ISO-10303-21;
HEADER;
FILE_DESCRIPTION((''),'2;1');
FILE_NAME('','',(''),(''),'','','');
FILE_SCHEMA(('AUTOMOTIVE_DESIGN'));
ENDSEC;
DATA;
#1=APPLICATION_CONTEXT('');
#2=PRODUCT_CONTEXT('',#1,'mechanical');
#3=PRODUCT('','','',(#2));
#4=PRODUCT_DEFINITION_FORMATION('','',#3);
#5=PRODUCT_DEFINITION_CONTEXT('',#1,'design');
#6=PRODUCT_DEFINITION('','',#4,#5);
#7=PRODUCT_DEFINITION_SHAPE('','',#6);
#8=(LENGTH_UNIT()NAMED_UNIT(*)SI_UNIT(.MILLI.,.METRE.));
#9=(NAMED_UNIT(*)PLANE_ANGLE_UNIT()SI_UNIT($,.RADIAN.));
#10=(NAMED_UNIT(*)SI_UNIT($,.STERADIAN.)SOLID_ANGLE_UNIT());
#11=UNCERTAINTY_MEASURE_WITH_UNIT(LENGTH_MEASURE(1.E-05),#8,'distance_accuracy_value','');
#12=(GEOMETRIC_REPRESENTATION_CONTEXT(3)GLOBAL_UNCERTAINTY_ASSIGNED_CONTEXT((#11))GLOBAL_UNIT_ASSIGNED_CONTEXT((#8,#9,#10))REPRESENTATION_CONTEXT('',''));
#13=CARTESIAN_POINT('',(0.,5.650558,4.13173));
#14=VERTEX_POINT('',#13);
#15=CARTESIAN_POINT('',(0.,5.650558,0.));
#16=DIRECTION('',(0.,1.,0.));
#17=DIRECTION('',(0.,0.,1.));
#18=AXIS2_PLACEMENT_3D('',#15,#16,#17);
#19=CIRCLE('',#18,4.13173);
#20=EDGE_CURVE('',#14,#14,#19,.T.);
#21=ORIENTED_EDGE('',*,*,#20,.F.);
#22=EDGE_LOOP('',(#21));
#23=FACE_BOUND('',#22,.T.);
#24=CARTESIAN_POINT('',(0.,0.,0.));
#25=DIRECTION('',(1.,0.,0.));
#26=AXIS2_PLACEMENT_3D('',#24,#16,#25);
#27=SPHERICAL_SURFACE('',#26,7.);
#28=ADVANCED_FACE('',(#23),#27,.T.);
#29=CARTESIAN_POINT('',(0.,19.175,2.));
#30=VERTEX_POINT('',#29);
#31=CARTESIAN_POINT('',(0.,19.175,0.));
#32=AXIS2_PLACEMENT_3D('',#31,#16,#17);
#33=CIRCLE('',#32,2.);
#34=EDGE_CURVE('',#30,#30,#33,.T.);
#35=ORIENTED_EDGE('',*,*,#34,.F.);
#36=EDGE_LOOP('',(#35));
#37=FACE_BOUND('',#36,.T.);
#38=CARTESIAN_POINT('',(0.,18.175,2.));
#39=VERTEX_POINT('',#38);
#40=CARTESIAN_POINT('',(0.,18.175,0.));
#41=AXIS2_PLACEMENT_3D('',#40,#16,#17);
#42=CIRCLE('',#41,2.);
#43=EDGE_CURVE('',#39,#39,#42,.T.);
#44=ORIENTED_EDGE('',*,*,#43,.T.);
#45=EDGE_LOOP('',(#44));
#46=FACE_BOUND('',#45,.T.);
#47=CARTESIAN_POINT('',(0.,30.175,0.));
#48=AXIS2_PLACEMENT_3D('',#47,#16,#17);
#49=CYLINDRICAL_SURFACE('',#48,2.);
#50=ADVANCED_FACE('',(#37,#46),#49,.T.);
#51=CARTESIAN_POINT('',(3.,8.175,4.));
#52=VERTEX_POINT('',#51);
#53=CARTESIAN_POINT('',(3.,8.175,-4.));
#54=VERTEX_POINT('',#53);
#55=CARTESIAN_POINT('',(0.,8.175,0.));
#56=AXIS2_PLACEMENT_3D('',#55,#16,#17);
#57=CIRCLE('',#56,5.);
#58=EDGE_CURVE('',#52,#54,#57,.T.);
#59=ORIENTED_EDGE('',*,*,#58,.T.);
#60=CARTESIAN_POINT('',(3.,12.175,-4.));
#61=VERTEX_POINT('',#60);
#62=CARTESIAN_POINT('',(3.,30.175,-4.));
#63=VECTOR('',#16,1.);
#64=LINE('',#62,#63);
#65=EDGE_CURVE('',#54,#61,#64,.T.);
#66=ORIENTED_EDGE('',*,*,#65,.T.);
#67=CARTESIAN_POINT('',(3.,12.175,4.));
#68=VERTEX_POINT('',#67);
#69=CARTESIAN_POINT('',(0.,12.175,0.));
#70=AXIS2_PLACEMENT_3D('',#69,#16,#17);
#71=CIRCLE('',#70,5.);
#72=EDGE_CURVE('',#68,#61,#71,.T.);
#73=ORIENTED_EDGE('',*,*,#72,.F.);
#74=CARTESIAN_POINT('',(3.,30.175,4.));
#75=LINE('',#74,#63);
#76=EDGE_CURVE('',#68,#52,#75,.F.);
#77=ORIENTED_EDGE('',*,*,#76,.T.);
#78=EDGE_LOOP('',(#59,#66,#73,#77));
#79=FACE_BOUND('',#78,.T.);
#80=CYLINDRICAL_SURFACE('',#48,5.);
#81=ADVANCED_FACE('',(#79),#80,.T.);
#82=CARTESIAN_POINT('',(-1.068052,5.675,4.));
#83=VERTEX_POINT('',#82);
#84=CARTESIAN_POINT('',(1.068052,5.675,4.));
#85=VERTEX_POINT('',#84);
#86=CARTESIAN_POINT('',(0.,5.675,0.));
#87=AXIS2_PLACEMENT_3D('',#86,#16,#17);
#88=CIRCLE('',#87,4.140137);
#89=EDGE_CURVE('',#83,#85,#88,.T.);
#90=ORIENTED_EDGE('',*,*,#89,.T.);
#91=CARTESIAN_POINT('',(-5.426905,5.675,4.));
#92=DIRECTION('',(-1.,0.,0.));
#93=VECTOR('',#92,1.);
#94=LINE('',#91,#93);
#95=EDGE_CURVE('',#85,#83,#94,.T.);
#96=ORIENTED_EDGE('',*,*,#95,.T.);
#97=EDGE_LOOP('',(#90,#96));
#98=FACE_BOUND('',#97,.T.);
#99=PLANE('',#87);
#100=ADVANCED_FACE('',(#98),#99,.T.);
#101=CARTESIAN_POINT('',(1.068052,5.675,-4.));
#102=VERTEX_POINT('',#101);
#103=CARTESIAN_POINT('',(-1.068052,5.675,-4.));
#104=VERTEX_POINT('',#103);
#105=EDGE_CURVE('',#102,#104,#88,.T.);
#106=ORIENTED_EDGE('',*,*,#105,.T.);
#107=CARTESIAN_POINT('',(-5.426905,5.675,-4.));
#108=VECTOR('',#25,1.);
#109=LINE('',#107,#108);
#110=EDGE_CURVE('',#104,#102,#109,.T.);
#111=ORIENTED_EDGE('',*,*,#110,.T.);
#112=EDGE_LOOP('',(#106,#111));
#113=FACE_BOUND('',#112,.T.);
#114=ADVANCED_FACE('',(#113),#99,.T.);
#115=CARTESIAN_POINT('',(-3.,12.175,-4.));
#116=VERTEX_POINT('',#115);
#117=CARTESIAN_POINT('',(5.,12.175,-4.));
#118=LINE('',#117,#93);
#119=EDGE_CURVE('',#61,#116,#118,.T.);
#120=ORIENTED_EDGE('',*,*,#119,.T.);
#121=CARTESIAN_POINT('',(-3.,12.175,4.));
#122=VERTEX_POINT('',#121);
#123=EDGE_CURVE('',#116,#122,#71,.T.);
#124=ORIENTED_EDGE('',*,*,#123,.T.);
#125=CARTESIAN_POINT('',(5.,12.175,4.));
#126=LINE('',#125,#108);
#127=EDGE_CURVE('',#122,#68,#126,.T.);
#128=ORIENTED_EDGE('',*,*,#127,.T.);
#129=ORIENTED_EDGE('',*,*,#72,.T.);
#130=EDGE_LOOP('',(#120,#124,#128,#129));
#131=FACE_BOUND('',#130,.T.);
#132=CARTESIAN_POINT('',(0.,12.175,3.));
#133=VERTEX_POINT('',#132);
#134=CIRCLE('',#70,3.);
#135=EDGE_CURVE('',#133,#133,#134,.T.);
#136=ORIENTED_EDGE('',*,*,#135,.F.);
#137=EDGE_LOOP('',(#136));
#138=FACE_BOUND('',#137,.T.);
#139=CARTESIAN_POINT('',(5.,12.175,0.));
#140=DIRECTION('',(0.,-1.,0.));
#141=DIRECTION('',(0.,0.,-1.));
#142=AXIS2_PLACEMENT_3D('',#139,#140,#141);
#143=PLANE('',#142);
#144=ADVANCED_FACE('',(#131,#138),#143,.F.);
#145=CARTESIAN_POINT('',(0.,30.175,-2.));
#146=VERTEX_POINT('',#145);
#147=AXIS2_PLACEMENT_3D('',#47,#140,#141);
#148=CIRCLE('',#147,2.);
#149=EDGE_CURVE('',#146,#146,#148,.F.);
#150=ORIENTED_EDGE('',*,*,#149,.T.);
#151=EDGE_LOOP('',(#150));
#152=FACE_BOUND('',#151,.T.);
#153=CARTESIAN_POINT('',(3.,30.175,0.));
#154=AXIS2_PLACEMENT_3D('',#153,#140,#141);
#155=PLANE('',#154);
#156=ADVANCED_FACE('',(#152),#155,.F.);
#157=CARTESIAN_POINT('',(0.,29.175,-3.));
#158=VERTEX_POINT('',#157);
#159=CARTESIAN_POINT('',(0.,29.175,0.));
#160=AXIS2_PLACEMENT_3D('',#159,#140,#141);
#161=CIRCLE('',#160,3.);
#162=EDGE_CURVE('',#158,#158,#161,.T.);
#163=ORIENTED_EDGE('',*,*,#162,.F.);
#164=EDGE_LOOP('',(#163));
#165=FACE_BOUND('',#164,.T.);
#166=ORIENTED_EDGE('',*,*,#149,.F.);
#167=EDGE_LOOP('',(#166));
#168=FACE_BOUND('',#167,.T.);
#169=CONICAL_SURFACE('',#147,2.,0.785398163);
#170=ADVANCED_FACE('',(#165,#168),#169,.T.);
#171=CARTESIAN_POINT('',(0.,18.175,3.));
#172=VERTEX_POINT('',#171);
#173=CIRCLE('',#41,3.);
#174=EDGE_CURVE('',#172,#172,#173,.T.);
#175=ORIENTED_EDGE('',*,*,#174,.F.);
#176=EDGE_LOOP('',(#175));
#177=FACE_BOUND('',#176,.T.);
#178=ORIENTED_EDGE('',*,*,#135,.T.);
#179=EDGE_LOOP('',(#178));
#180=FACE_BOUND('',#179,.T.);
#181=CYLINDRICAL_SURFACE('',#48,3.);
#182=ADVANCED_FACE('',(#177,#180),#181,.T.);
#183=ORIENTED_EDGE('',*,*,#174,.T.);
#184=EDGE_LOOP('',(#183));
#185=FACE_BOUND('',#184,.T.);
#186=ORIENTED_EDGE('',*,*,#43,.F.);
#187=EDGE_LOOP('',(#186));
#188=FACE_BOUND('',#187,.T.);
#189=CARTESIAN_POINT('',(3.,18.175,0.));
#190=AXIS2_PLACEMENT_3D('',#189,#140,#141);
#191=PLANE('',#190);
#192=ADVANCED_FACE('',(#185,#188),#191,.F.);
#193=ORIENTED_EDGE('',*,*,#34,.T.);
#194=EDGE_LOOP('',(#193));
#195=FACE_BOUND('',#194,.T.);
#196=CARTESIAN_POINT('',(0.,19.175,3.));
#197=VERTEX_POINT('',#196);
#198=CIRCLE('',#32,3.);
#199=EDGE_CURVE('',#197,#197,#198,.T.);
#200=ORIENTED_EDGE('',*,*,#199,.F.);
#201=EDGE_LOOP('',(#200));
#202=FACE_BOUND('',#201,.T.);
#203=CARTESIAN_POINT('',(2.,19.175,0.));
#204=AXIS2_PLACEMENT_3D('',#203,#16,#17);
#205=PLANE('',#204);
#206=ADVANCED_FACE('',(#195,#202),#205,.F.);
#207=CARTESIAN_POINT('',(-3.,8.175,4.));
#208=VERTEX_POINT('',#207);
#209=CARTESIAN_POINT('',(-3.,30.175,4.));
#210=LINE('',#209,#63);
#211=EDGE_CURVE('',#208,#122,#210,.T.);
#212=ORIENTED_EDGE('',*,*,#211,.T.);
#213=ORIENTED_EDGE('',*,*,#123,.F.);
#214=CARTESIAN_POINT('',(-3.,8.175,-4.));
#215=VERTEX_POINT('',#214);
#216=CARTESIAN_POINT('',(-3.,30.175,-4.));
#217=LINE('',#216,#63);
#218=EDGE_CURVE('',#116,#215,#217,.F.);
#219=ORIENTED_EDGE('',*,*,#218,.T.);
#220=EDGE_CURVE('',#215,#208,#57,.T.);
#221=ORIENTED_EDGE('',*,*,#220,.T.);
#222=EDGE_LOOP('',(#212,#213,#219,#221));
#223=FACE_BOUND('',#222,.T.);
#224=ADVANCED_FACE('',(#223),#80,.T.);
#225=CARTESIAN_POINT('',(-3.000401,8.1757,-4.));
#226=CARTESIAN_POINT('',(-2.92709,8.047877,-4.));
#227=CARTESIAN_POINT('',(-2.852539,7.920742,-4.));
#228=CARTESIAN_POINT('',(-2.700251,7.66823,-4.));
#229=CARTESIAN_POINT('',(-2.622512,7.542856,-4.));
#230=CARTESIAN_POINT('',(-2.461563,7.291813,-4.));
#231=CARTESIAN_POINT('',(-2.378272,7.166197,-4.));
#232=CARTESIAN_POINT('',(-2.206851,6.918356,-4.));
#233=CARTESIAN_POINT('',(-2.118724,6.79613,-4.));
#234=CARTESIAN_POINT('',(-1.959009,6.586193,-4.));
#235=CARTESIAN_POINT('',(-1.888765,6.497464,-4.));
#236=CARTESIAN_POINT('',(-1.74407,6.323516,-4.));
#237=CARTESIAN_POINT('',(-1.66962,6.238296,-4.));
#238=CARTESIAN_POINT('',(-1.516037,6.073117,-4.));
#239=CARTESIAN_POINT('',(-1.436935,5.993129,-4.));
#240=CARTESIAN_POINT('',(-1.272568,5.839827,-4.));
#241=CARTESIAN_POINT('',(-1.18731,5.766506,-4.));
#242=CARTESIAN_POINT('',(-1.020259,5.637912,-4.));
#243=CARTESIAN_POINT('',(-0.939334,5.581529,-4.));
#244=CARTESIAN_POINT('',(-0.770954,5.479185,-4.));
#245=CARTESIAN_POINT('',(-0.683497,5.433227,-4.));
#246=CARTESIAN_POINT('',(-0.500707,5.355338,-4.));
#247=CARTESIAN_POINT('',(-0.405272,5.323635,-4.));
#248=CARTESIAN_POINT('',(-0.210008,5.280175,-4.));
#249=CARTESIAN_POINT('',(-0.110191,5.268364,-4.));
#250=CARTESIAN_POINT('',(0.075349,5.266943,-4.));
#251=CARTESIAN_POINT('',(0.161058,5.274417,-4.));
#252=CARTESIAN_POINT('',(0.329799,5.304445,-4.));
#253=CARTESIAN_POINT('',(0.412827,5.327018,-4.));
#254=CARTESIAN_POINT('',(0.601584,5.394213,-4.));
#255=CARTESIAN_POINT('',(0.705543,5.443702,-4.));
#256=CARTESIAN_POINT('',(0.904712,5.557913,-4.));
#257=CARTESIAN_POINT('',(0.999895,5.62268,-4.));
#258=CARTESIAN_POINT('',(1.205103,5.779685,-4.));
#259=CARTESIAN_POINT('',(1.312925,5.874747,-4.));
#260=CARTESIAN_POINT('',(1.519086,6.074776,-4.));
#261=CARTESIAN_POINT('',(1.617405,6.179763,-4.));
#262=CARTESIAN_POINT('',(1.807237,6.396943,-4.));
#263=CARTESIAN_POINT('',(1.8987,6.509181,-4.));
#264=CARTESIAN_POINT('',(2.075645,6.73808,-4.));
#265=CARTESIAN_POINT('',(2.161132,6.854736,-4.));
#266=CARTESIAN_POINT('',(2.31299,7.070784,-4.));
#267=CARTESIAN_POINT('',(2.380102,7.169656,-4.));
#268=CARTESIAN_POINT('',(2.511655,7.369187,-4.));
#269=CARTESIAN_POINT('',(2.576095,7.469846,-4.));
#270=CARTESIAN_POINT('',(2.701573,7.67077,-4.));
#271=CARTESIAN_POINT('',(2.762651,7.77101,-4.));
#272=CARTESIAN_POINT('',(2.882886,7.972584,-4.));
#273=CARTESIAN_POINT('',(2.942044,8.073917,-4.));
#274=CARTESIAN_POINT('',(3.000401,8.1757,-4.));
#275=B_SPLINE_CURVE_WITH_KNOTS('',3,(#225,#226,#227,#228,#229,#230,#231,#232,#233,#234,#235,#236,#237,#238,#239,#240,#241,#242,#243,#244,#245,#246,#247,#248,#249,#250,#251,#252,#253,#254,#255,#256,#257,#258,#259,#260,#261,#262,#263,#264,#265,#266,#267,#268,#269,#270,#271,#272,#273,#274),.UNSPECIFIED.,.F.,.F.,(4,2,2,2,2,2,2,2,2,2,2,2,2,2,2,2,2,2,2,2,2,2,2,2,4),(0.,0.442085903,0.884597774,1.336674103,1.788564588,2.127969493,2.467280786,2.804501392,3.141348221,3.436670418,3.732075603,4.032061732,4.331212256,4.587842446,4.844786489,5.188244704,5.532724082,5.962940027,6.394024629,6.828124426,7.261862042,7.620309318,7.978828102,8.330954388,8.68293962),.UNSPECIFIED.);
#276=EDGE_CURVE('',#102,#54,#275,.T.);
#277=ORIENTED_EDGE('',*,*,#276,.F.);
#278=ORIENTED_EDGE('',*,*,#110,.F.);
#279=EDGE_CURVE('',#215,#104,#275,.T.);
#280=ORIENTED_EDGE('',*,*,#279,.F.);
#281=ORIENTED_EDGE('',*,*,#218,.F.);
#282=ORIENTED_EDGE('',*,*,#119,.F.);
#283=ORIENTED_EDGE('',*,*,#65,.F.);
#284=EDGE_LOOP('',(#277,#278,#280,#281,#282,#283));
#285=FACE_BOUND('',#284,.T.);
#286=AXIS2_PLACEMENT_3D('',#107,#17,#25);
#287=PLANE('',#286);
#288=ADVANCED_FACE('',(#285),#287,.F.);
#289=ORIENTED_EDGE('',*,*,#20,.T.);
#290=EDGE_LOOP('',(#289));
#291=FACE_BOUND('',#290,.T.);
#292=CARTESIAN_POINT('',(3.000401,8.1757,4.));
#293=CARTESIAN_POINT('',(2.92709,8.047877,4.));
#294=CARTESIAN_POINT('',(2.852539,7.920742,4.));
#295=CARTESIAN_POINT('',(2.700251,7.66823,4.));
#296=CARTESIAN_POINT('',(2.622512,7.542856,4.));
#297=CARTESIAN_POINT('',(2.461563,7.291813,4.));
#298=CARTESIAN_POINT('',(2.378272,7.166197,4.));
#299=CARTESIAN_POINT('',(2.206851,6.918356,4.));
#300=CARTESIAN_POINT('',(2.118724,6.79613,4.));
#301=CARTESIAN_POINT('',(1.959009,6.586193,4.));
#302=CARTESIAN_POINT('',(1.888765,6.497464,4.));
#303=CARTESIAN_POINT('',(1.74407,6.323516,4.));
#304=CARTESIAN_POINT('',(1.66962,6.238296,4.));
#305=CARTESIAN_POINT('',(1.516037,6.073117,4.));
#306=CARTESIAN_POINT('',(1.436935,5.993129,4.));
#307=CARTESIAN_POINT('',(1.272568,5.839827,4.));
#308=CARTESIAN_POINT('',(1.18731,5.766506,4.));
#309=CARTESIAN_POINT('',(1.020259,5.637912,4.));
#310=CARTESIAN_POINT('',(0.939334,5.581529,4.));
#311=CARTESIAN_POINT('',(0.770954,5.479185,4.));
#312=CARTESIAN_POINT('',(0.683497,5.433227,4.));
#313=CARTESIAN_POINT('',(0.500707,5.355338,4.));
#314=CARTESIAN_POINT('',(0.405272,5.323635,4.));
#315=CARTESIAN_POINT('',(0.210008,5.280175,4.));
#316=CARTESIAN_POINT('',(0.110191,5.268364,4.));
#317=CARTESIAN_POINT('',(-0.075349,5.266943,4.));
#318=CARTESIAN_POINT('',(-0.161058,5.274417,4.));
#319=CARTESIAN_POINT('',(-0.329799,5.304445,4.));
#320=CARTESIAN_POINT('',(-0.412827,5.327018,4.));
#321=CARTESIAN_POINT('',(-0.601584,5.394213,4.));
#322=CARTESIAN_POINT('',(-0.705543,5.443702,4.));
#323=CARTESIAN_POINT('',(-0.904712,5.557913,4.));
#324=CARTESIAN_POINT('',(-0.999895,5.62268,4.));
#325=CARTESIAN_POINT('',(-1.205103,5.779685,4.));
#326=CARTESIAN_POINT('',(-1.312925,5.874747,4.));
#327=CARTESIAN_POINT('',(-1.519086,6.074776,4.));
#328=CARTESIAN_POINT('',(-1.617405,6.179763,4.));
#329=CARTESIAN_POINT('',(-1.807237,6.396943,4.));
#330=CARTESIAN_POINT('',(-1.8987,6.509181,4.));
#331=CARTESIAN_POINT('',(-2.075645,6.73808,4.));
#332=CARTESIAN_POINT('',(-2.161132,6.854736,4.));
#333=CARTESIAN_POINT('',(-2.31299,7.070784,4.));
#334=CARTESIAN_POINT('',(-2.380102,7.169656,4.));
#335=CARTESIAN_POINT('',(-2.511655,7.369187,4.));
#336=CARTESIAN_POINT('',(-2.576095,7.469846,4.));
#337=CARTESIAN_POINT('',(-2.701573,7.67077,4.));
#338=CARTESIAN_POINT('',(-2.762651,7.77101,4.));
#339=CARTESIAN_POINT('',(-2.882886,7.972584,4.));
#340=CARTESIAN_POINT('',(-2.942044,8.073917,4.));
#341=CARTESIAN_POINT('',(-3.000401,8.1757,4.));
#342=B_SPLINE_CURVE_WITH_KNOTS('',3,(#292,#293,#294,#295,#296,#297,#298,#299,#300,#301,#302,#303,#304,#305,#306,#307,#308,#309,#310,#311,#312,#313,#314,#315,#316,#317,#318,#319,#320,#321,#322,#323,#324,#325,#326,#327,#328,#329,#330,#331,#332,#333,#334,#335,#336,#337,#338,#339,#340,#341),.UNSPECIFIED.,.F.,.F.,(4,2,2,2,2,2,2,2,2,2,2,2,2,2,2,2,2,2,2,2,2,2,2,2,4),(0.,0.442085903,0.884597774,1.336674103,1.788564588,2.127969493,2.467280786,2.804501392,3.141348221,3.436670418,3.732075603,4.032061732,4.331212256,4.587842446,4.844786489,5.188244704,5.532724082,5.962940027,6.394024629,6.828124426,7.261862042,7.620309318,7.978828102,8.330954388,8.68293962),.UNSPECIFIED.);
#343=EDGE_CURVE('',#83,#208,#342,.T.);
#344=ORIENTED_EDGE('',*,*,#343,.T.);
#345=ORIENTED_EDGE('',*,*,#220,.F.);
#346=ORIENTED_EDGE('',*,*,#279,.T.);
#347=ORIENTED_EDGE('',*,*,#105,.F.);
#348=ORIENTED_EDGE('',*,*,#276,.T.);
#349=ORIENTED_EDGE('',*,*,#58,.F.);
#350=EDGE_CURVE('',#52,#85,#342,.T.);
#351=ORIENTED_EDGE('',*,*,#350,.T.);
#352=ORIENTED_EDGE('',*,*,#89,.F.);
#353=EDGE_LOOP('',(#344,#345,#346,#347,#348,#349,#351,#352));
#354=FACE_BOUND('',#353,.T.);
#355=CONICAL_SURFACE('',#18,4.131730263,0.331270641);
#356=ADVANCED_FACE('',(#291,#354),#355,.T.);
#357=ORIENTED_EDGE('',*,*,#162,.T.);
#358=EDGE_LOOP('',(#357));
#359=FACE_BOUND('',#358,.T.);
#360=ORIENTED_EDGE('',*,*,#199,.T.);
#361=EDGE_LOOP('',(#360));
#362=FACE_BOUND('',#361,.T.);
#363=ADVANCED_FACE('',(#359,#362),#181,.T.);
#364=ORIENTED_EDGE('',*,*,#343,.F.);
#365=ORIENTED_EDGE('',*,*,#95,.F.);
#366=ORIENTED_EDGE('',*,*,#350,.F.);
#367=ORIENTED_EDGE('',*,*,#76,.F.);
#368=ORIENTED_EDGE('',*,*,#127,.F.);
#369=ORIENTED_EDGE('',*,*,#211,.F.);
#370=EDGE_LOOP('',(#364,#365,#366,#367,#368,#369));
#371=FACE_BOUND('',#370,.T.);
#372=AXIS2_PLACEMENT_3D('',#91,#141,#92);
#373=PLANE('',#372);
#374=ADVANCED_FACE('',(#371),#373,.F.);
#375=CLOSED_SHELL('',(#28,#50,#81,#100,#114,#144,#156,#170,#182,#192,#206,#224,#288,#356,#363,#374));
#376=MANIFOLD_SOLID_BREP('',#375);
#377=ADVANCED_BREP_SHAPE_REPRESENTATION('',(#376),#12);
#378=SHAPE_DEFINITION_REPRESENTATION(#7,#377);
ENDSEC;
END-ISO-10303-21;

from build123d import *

# Parameters (mm, degrees)
CHAMFER_1_SIZE      = 1
SKETCH_2_W          = 13.14097419
SKETCH_2_H          = 3.873114836
CUT_EXTRUDE_1_DEPTH = 6.5


with BuildPart() as part:
    # 草图1 → 旋转1 (revolve)
    with BuildSketch(Plane.XY, mode=Mode.PRIVATE) as revolve_1_sk:
        with BuildLine():
            Line((4.131730263, 5.65055794), (5, 8.175))
            Line((5, 8.175), (5, 12.175))
            Line((5, 12.175), (3, 12.175))
            Line((3, 12.175), (3, 18.175))
            Line((3, 18.175), (2, 18.175))
            Line((2, 18.175), (2, 19.175))
            Line((2, 19.175), (3, 19.175))
            Line((3, 19.175), (3, 30.175))
            Line((3, 30.175), (0, 30.175))
            Line((0, 30.175), (0, -7))
            ThreePointArc((0, -7), (6.654092935, -2.173257281), (4.131730263, 5.65055794))
        make_face()
    revolve(revolve_1_sk.sketch.rotate(Axis((0, 30.175, 0), (0, -1, 0)), 90), axis=Axis((0, 30.175, 0), (0, -1, 0)))

    # 倒角1
    chamfer_1_edges = [part.edges().sort_by_distance(p)[0] for p in [
        (0, 30.175, -3),
    ]]
    chamfer(chamfer_1_edges, length=CHAMFER_1_SIZE)

    # 草图2 → 切除-拉伸1 (cut)
    with BuildSketch(Plane(origin=(0, 12.175, 0), x_dir=(1, 0, 0), z_dir=(0, 1, 0))):
        with Locations((1.143581663, -5.936557418)):
            Rectangle(SKETCH_2_W, SKETCH_2_H)
        with Locations((1.143581663, 5.936557418)):
            Rectangle(SKETCH_2_W, SKETCH_2_H)
    extrude(amount=-CUT_EXTRUDE_1_DEPTH, mode=Mode.SUBTRACT)


solid = part.part
